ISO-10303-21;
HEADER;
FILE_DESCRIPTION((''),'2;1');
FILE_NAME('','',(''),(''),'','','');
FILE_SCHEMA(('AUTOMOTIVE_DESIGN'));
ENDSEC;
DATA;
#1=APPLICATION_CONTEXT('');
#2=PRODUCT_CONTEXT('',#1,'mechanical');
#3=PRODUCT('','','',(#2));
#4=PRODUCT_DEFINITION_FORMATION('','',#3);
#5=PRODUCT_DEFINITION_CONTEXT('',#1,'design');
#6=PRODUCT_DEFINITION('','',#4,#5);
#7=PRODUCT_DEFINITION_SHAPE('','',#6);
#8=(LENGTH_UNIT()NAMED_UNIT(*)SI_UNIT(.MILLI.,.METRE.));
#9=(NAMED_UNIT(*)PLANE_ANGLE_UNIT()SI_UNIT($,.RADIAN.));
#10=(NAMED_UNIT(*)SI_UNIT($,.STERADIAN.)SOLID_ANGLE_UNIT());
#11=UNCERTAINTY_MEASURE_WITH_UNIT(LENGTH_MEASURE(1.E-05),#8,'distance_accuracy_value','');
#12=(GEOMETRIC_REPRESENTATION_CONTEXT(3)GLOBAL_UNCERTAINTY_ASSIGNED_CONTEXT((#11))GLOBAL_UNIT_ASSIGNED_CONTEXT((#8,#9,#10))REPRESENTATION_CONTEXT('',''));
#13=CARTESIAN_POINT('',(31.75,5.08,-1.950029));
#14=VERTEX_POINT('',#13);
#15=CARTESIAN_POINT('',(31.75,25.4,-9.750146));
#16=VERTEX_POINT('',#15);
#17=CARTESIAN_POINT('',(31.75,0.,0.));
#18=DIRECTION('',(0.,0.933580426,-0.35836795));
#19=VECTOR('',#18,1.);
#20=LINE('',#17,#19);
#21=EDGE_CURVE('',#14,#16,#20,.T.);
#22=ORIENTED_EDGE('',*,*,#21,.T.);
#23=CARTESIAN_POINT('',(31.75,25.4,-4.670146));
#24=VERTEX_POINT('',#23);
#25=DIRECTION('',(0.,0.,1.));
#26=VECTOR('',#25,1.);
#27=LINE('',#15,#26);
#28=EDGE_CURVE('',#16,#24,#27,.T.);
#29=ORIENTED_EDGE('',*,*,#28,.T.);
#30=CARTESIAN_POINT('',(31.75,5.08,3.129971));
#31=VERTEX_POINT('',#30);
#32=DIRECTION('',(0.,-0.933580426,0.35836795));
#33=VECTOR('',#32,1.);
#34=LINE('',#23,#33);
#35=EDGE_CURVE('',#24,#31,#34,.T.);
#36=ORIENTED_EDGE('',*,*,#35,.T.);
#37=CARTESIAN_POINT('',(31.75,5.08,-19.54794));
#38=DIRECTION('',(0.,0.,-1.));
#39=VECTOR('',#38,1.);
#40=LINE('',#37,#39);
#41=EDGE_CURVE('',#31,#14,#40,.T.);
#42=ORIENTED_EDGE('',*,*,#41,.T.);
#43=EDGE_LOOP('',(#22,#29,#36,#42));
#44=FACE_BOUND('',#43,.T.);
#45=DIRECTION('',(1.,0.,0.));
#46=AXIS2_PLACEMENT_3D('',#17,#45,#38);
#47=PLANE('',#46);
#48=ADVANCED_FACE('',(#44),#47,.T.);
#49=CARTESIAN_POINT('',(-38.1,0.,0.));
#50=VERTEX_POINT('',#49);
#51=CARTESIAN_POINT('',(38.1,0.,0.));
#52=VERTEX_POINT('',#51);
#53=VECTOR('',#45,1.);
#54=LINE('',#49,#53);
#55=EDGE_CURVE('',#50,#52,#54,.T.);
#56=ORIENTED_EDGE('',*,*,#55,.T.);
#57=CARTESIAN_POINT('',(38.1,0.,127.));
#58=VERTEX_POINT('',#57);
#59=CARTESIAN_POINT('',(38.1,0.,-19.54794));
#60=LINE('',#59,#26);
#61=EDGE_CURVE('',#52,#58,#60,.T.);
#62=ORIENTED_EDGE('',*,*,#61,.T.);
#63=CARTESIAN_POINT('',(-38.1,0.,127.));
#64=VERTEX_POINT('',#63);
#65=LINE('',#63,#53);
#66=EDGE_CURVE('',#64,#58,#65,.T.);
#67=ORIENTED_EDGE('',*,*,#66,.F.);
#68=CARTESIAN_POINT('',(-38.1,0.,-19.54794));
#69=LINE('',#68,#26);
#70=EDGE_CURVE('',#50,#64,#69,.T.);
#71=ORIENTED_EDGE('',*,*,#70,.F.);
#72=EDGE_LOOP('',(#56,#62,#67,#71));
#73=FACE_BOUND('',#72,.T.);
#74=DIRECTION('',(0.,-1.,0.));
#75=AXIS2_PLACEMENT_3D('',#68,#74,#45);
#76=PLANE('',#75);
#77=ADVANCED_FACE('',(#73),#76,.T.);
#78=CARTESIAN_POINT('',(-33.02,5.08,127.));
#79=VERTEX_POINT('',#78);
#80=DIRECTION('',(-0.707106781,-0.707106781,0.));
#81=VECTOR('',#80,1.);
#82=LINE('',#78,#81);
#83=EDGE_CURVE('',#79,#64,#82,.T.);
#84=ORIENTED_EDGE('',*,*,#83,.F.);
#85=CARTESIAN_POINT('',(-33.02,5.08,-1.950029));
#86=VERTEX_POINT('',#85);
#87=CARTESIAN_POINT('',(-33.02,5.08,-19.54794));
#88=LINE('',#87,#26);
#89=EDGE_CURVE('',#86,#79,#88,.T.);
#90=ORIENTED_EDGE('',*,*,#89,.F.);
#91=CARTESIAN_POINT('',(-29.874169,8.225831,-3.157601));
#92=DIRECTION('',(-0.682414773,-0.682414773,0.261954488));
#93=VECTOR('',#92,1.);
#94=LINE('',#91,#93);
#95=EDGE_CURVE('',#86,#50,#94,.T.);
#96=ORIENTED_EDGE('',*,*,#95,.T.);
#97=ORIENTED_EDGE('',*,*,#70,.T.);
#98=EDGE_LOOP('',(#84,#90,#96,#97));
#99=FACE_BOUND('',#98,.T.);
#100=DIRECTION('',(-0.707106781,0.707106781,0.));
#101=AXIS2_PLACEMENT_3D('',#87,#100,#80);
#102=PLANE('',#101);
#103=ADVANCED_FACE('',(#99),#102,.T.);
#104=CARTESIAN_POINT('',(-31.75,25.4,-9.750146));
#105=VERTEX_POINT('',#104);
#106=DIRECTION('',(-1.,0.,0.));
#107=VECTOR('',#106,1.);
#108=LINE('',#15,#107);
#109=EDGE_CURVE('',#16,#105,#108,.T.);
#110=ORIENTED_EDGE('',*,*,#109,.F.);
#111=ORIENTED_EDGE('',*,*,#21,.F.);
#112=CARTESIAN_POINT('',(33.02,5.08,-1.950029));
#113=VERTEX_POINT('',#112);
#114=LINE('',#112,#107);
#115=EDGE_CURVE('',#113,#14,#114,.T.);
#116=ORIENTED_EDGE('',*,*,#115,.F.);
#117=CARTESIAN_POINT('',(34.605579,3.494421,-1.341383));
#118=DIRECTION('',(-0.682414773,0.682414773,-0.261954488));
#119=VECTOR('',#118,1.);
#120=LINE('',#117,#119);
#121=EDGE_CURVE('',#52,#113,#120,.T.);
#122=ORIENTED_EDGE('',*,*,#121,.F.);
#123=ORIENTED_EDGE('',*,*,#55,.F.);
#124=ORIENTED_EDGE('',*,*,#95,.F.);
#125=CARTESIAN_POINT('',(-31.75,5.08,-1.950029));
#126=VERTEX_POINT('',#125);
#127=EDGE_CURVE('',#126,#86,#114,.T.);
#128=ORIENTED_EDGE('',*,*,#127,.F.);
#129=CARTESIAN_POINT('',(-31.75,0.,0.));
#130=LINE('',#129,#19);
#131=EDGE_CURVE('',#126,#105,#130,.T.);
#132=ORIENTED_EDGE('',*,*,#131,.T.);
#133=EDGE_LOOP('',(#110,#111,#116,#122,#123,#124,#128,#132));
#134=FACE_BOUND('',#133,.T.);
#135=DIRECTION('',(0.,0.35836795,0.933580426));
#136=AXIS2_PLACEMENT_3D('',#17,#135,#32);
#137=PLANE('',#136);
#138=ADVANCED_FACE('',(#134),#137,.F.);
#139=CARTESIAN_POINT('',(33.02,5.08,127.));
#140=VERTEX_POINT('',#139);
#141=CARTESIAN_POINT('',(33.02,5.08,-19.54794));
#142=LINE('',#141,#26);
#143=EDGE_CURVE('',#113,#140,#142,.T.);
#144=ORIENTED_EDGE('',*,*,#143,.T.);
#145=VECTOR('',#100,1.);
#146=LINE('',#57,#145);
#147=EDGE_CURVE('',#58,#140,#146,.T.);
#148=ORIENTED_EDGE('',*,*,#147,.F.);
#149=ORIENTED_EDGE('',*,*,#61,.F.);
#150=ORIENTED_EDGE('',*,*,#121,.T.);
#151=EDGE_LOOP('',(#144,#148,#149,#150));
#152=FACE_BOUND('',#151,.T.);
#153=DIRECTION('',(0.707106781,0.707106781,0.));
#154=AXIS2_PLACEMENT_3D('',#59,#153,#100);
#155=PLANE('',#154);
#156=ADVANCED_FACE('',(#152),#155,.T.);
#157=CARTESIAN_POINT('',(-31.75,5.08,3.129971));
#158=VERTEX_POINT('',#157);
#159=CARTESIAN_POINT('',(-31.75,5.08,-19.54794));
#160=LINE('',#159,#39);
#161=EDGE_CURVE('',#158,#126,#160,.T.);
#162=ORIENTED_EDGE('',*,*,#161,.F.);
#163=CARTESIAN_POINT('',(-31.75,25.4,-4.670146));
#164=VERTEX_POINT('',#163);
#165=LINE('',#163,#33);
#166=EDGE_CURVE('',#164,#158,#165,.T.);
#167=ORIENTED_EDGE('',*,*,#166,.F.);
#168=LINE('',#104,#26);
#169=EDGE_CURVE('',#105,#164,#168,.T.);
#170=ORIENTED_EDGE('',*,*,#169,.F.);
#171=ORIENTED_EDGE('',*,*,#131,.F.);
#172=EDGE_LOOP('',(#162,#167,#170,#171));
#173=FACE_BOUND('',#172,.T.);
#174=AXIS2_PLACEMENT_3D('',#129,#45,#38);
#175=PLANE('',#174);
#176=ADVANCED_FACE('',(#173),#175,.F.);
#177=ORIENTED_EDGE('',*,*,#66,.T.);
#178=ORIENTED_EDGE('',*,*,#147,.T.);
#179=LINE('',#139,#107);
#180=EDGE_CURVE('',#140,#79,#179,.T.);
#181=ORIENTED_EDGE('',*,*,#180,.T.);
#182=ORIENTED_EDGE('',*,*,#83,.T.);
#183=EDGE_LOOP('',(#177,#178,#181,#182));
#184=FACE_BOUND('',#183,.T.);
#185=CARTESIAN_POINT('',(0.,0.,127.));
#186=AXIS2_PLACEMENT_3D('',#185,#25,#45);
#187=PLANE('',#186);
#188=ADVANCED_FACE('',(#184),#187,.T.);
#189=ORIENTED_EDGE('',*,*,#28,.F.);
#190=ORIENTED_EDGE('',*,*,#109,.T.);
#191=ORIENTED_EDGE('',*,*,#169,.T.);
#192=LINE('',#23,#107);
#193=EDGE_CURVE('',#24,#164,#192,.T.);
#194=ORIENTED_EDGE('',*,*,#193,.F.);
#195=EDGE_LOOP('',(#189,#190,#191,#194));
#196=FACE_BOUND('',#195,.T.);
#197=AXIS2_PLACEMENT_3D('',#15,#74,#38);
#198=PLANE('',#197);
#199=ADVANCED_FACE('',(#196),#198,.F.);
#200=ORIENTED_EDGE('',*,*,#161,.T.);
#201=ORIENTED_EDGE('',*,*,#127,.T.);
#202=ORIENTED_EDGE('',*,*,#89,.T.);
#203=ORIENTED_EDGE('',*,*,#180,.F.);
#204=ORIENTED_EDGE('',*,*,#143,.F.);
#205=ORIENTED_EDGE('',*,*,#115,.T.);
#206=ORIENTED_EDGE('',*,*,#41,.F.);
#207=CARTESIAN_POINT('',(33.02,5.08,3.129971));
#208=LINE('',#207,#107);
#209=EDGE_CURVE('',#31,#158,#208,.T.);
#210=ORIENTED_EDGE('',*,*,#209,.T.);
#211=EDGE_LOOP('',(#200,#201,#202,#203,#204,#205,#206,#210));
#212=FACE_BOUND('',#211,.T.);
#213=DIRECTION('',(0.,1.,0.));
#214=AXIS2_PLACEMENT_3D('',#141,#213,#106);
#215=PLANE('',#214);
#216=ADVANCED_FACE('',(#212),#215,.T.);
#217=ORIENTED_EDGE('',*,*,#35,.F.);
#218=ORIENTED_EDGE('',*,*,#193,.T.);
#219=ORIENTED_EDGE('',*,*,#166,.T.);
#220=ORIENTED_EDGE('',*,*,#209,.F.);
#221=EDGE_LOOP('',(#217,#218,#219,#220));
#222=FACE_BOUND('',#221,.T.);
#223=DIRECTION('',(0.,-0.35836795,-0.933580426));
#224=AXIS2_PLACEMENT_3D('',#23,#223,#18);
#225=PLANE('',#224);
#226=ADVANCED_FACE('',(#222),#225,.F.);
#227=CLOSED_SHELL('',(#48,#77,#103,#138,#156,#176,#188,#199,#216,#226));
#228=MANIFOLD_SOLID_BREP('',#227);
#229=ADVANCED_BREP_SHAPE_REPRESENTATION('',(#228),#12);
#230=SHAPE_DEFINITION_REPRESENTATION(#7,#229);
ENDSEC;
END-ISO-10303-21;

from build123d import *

# Parameters (mm, degrees)
BOSS_EXTRUDE1_DEPTH      = 127
BOSS_EXTRUDE1_DEPTH_BACK = 19.547940452
BOSS_EXTRUDE3_DEPTH      = 31.75


with BuildPart() as part:
    # Sketch1 → Boss-Extrude1 (new, two sides)
    with BuildSketch(Plane.XY) as boss_extrude1_sk:
        Polygon((-38.1, 0), (38.1, 0), (33.02, 5.08), (-33.02, 5.08), align=None)
    extrude(amount=BOSS_EXTRUDE1_DEPTH)
    extrude(boss_extrude1_sk.sketch, amount=-BOSS_EXTRUDE1_DEPTH_BACK)

    # Sketch3 → Boss-Extrude3 (add, symmetric)
    with BuildSketch(Plane(origin=(0, 0, 0), x_dir=(0, 0, -1), z_dir=(1, 0, 0))):
        Polygon((0, 0), (9.75014649, 25.4), (4.67014649, 25.4), (-5.08, 0), align=None)
    extrude(amount=BOSS_EXTRUDE3_DEPTH, both=True)

    # SurfaceCut2
    split(bisect_by=Plane(origin=(0, 0, 0), x_dir=(-1, 0, 0), z_dir=(0, -0.3583679495453043, -0.9335804264972002)), keep=Keep.BOTTOM)


solid = part.part
